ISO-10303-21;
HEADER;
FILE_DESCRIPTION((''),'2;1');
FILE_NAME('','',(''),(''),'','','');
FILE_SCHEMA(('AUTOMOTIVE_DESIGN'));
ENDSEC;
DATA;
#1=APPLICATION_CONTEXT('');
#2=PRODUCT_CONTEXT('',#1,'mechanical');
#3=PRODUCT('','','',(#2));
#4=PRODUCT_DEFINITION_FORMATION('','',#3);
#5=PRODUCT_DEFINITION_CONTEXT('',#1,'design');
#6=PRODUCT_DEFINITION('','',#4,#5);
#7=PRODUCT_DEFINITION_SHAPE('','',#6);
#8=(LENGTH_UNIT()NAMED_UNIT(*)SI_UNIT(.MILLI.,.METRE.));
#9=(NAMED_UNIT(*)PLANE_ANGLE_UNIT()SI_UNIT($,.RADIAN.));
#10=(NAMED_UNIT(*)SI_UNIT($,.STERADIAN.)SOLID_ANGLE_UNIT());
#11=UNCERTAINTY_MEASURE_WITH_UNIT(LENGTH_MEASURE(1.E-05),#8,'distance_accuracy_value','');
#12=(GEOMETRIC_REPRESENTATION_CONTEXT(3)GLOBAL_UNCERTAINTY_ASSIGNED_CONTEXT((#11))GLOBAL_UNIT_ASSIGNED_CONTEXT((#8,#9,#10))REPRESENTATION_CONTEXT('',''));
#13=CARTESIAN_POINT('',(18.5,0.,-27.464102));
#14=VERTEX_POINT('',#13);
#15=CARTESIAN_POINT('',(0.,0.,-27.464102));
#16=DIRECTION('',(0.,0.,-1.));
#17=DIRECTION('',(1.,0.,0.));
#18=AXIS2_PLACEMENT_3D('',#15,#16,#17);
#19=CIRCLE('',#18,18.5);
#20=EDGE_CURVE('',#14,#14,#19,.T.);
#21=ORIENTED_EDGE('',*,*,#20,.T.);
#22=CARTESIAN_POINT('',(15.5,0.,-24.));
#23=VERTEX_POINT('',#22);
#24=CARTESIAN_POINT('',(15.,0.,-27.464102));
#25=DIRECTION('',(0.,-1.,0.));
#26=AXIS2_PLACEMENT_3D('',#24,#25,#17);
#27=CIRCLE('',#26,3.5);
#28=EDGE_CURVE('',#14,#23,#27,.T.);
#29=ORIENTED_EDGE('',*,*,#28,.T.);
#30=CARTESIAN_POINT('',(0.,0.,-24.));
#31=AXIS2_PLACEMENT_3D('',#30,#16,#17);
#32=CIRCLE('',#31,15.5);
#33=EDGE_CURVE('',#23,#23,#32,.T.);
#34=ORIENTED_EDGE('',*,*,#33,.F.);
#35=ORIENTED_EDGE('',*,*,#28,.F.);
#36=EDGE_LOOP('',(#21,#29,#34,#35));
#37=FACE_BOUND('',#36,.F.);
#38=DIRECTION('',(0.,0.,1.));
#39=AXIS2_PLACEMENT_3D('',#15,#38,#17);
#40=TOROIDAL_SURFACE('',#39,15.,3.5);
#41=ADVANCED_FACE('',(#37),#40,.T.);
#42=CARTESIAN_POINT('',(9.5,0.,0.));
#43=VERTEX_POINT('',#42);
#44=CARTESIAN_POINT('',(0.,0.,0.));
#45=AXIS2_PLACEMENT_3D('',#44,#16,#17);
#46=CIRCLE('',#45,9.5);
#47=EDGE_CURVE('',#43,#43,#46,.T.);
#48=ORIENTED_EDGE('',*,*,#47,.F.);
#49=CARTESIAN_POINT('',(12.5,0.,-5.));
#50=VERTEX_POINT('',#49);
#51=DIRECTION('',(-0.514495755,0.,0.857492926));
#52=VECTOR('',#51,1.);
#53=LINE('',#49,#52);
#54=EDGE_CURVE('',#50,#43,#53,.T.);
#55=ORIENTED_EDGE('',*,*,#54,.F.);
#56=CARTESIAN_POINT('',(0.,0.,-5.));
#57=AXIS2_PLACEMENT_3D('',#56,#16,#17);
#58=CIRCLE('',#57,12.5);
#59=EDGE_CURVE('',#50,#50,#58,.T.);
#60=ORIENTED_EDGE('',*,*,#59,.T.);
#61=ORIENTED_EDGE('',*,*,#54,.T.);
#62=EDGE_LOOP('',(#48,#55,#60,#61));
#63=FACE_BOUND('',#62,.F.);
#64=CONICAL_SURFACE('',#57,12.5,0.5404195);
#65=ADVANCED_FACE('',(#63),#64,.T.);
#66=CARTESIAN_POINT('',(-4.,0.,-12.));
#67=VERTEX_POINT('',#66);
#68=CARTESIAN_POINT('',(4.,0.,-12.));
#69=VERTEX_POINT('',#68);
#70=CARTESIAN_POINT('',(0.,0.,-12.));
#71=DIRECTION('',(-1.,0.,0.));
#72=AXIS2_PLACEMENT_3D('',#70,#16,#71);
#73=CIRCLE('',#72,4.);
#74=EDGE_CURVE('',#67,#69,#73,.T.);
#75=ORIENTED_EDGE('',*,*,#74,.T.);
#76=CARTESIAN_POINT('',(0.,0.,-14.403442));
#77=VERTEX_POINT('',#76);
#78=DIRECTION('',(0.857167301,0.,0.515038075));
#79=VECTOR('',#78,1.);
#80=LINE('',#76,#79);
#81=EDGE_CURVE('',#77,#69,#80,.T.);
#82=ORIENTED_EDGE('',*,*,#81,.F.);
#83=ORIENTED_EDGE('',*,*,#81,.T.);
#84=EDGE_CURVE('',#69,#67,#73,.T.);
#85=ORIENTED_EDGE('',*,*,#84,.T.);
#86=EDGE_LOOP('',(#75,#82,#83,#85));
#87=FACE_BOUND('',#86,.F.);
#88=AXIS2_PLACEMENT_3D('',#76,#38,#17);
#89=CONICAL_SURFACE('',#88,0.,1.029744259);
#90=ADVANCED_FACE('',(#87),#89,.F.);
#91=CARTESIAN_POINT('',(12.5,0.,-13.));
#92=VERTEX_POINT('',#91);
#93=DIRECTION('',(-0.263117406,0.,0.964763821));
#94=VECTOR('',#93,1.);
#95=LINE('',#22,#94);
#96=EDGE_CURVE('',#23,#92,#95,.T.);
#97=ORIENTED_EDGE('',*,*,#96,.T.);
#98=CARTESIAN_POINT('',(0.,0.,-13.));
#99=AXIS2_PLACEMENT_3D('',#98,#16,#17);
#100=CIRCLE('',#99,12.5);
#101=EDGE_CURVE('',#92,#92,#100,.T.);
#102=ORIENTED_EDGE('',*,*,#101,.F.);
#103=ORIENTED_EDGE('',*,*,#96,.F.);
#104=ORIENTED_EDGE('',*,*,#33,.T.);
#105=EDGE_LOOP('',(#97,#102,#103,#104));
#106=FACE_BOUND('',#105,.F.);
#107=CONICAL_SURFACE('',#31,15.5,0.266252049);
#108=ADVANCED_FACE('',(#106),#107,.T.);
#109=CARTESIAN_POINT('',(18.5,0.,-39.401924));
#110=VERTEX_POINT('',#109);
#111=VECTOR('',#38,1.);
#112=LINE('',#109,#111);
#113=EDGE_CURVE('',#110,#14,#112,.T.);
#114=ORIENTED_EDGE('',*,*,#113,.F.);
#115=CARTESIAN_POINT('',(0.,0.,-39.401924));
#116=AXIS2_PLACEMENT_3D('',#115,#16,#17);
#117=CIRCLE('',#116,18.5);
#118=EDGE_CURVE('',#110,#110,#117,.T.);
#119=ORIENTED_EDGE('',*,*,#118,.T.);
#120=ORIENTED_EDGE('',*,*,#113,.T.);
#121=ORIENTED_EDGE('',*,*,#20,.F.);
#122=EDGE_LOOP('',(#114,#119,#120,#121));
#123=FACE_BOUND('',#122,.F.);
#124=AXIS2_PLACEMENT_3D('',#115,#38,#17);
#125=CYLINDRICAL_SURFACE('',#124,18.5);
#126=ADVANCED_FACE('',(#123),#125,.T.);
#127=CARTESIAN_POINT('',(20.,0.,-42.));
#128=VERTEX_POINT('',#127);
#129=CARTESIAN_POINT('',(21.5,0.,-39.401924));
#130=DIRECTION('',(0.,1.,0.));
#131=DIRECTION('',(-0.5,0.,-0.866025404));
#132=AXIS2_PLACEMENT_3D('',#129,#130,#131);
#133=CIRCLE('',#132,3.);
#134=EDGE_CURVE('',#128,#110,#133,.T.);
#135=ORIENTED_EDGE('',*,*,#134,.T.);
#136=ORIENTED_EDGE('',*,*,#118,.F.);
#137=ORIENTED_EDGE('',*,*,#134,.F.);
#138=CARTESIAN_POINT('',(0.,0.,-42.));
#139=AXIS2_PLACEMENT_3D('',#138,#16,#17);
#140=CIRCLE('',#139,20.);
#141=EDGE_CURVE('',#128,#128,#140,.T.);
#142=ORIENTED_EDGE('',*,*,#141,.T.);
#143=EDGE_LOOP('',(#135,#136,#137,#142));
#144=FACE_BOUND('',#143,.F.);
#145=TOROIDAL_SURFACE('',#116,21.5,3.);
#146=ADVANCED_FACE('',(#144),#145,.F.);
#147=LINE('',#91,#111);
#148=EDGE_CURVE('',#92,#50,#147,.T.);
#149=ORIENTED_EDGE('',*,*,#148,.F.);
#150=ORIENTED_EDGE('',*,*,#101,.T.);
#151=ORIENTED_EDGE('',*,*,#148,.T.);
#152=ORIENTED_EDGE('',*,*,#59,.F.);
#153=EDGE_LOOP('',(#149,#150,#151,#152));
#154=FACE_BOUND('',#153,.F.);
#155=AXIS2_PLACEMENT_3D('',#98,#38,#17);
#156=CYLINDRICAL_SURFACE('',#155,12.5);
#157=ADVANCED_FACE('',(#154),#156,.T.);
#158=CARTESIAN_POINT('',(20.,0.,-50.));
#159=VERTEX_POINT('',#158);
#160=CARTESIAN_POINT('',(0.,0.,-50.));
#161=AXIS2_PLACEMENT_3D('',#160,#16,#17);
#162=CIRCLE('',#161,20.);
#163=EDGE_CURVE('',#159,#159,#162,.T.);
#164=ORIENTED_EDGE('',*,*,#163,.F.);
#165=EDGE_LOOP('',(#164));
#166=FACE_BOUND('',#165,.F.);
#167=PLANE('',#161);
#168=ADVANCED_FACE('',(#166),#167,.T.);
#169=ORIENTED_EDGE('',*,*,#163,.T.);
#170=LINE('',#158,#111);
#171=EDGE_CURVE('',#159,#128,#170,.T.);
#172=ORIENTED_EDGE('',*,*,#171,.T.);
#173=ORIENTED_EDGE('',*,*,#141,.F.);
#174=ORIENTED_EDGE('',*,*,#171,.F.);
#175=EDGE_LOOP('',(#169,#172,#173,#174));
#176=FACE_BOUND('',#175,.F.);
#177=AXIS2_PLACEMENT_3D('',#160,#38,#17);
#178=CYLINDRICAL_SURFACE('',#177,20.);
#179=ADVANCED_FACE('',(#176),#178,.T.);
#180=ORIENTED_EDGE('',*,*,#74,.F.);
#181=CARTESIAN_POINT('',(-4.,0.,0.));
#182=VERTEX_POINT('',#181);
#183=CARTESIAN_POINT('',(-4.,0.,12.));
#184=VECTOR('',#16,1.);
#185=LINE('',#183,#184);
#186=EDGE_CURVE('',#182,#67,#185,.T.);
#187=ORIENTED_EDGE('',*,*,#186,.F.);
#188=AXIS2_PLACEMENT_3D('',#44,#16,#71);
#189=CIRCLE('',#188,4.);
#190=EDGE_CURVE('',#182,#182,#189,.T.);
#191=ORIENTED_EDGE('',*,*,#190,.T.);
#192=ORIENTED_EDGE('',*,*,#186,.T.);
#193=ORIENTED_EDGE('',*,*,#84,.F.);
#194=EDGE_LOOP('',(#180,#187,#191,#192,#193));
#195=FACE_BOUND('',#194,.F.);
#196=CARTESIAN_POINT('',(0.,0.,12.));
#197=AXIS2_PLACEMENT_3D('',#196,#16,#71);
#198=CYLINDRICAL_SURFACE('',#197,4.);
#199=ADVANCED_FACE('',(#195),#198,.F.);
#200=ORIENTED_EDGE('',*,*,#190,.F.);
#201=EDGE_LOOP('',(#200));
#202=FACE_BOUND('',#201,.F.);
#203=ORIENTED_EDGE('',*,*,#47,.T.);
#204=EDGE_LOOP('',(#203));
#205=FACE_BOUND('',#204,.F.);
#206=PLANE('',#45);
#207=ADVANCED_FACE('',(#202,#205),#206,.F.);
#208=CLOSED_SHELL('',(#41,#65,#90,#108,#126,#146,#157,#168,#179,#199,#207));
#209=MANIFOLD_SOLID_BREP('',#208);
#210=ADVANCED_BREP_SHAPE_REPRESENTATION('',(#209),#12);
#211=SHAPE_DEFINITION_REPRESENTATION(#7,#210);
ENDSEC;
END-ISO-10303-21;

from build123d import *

# Parameters (mm, degrees)
F3_D     = 8
F3_DEPTH = 12
F3_TIP   = 2.4034424761


with BuildPart() as f1:
    # F0 (on Front) → F1 (revolve)
    with BuildSketch(Plane.XZ):
        with BuildLine():
            Line((0, 0), (0, -50))
            Line((0, -50), (20, -50))
            Line((20, -50), (20, -42))
            ThreePointArc((20, -42), (18.9019237886, -40.9019237886), (18.5, -39.4019237886))
            Line((18.5, -39.4019237886), (18.5, -27.4641016151))
            ThreePointArc((18.5, -27.4641016151), (17.6457513111, -25.1728137677), (15.5, -24))
            Line((15.5, -24), (12.5, -13))
            Line((12.5, -13), (12.5, -5))
            Line((12.5, -5), (9.5, 0))
            Line((9.5, 0), (0, 0))
        make_face()
    revolve(axis=Axis((0, 0, -25), (0, 0, -1)))

    # F3
    with Locations(Plane.XY):
        with Locations((0, 0)):
            Hole(F3_D / 2, depth=F3_DEPTH)
            with Locations((0, 0, -(F3_DEPTH + F3_TIP / 2))):  # 118° drill point
                Cone(0, F3_D / 2, F3_TIP, mode=Mode.SUBTRACT)


solid = f1.part
